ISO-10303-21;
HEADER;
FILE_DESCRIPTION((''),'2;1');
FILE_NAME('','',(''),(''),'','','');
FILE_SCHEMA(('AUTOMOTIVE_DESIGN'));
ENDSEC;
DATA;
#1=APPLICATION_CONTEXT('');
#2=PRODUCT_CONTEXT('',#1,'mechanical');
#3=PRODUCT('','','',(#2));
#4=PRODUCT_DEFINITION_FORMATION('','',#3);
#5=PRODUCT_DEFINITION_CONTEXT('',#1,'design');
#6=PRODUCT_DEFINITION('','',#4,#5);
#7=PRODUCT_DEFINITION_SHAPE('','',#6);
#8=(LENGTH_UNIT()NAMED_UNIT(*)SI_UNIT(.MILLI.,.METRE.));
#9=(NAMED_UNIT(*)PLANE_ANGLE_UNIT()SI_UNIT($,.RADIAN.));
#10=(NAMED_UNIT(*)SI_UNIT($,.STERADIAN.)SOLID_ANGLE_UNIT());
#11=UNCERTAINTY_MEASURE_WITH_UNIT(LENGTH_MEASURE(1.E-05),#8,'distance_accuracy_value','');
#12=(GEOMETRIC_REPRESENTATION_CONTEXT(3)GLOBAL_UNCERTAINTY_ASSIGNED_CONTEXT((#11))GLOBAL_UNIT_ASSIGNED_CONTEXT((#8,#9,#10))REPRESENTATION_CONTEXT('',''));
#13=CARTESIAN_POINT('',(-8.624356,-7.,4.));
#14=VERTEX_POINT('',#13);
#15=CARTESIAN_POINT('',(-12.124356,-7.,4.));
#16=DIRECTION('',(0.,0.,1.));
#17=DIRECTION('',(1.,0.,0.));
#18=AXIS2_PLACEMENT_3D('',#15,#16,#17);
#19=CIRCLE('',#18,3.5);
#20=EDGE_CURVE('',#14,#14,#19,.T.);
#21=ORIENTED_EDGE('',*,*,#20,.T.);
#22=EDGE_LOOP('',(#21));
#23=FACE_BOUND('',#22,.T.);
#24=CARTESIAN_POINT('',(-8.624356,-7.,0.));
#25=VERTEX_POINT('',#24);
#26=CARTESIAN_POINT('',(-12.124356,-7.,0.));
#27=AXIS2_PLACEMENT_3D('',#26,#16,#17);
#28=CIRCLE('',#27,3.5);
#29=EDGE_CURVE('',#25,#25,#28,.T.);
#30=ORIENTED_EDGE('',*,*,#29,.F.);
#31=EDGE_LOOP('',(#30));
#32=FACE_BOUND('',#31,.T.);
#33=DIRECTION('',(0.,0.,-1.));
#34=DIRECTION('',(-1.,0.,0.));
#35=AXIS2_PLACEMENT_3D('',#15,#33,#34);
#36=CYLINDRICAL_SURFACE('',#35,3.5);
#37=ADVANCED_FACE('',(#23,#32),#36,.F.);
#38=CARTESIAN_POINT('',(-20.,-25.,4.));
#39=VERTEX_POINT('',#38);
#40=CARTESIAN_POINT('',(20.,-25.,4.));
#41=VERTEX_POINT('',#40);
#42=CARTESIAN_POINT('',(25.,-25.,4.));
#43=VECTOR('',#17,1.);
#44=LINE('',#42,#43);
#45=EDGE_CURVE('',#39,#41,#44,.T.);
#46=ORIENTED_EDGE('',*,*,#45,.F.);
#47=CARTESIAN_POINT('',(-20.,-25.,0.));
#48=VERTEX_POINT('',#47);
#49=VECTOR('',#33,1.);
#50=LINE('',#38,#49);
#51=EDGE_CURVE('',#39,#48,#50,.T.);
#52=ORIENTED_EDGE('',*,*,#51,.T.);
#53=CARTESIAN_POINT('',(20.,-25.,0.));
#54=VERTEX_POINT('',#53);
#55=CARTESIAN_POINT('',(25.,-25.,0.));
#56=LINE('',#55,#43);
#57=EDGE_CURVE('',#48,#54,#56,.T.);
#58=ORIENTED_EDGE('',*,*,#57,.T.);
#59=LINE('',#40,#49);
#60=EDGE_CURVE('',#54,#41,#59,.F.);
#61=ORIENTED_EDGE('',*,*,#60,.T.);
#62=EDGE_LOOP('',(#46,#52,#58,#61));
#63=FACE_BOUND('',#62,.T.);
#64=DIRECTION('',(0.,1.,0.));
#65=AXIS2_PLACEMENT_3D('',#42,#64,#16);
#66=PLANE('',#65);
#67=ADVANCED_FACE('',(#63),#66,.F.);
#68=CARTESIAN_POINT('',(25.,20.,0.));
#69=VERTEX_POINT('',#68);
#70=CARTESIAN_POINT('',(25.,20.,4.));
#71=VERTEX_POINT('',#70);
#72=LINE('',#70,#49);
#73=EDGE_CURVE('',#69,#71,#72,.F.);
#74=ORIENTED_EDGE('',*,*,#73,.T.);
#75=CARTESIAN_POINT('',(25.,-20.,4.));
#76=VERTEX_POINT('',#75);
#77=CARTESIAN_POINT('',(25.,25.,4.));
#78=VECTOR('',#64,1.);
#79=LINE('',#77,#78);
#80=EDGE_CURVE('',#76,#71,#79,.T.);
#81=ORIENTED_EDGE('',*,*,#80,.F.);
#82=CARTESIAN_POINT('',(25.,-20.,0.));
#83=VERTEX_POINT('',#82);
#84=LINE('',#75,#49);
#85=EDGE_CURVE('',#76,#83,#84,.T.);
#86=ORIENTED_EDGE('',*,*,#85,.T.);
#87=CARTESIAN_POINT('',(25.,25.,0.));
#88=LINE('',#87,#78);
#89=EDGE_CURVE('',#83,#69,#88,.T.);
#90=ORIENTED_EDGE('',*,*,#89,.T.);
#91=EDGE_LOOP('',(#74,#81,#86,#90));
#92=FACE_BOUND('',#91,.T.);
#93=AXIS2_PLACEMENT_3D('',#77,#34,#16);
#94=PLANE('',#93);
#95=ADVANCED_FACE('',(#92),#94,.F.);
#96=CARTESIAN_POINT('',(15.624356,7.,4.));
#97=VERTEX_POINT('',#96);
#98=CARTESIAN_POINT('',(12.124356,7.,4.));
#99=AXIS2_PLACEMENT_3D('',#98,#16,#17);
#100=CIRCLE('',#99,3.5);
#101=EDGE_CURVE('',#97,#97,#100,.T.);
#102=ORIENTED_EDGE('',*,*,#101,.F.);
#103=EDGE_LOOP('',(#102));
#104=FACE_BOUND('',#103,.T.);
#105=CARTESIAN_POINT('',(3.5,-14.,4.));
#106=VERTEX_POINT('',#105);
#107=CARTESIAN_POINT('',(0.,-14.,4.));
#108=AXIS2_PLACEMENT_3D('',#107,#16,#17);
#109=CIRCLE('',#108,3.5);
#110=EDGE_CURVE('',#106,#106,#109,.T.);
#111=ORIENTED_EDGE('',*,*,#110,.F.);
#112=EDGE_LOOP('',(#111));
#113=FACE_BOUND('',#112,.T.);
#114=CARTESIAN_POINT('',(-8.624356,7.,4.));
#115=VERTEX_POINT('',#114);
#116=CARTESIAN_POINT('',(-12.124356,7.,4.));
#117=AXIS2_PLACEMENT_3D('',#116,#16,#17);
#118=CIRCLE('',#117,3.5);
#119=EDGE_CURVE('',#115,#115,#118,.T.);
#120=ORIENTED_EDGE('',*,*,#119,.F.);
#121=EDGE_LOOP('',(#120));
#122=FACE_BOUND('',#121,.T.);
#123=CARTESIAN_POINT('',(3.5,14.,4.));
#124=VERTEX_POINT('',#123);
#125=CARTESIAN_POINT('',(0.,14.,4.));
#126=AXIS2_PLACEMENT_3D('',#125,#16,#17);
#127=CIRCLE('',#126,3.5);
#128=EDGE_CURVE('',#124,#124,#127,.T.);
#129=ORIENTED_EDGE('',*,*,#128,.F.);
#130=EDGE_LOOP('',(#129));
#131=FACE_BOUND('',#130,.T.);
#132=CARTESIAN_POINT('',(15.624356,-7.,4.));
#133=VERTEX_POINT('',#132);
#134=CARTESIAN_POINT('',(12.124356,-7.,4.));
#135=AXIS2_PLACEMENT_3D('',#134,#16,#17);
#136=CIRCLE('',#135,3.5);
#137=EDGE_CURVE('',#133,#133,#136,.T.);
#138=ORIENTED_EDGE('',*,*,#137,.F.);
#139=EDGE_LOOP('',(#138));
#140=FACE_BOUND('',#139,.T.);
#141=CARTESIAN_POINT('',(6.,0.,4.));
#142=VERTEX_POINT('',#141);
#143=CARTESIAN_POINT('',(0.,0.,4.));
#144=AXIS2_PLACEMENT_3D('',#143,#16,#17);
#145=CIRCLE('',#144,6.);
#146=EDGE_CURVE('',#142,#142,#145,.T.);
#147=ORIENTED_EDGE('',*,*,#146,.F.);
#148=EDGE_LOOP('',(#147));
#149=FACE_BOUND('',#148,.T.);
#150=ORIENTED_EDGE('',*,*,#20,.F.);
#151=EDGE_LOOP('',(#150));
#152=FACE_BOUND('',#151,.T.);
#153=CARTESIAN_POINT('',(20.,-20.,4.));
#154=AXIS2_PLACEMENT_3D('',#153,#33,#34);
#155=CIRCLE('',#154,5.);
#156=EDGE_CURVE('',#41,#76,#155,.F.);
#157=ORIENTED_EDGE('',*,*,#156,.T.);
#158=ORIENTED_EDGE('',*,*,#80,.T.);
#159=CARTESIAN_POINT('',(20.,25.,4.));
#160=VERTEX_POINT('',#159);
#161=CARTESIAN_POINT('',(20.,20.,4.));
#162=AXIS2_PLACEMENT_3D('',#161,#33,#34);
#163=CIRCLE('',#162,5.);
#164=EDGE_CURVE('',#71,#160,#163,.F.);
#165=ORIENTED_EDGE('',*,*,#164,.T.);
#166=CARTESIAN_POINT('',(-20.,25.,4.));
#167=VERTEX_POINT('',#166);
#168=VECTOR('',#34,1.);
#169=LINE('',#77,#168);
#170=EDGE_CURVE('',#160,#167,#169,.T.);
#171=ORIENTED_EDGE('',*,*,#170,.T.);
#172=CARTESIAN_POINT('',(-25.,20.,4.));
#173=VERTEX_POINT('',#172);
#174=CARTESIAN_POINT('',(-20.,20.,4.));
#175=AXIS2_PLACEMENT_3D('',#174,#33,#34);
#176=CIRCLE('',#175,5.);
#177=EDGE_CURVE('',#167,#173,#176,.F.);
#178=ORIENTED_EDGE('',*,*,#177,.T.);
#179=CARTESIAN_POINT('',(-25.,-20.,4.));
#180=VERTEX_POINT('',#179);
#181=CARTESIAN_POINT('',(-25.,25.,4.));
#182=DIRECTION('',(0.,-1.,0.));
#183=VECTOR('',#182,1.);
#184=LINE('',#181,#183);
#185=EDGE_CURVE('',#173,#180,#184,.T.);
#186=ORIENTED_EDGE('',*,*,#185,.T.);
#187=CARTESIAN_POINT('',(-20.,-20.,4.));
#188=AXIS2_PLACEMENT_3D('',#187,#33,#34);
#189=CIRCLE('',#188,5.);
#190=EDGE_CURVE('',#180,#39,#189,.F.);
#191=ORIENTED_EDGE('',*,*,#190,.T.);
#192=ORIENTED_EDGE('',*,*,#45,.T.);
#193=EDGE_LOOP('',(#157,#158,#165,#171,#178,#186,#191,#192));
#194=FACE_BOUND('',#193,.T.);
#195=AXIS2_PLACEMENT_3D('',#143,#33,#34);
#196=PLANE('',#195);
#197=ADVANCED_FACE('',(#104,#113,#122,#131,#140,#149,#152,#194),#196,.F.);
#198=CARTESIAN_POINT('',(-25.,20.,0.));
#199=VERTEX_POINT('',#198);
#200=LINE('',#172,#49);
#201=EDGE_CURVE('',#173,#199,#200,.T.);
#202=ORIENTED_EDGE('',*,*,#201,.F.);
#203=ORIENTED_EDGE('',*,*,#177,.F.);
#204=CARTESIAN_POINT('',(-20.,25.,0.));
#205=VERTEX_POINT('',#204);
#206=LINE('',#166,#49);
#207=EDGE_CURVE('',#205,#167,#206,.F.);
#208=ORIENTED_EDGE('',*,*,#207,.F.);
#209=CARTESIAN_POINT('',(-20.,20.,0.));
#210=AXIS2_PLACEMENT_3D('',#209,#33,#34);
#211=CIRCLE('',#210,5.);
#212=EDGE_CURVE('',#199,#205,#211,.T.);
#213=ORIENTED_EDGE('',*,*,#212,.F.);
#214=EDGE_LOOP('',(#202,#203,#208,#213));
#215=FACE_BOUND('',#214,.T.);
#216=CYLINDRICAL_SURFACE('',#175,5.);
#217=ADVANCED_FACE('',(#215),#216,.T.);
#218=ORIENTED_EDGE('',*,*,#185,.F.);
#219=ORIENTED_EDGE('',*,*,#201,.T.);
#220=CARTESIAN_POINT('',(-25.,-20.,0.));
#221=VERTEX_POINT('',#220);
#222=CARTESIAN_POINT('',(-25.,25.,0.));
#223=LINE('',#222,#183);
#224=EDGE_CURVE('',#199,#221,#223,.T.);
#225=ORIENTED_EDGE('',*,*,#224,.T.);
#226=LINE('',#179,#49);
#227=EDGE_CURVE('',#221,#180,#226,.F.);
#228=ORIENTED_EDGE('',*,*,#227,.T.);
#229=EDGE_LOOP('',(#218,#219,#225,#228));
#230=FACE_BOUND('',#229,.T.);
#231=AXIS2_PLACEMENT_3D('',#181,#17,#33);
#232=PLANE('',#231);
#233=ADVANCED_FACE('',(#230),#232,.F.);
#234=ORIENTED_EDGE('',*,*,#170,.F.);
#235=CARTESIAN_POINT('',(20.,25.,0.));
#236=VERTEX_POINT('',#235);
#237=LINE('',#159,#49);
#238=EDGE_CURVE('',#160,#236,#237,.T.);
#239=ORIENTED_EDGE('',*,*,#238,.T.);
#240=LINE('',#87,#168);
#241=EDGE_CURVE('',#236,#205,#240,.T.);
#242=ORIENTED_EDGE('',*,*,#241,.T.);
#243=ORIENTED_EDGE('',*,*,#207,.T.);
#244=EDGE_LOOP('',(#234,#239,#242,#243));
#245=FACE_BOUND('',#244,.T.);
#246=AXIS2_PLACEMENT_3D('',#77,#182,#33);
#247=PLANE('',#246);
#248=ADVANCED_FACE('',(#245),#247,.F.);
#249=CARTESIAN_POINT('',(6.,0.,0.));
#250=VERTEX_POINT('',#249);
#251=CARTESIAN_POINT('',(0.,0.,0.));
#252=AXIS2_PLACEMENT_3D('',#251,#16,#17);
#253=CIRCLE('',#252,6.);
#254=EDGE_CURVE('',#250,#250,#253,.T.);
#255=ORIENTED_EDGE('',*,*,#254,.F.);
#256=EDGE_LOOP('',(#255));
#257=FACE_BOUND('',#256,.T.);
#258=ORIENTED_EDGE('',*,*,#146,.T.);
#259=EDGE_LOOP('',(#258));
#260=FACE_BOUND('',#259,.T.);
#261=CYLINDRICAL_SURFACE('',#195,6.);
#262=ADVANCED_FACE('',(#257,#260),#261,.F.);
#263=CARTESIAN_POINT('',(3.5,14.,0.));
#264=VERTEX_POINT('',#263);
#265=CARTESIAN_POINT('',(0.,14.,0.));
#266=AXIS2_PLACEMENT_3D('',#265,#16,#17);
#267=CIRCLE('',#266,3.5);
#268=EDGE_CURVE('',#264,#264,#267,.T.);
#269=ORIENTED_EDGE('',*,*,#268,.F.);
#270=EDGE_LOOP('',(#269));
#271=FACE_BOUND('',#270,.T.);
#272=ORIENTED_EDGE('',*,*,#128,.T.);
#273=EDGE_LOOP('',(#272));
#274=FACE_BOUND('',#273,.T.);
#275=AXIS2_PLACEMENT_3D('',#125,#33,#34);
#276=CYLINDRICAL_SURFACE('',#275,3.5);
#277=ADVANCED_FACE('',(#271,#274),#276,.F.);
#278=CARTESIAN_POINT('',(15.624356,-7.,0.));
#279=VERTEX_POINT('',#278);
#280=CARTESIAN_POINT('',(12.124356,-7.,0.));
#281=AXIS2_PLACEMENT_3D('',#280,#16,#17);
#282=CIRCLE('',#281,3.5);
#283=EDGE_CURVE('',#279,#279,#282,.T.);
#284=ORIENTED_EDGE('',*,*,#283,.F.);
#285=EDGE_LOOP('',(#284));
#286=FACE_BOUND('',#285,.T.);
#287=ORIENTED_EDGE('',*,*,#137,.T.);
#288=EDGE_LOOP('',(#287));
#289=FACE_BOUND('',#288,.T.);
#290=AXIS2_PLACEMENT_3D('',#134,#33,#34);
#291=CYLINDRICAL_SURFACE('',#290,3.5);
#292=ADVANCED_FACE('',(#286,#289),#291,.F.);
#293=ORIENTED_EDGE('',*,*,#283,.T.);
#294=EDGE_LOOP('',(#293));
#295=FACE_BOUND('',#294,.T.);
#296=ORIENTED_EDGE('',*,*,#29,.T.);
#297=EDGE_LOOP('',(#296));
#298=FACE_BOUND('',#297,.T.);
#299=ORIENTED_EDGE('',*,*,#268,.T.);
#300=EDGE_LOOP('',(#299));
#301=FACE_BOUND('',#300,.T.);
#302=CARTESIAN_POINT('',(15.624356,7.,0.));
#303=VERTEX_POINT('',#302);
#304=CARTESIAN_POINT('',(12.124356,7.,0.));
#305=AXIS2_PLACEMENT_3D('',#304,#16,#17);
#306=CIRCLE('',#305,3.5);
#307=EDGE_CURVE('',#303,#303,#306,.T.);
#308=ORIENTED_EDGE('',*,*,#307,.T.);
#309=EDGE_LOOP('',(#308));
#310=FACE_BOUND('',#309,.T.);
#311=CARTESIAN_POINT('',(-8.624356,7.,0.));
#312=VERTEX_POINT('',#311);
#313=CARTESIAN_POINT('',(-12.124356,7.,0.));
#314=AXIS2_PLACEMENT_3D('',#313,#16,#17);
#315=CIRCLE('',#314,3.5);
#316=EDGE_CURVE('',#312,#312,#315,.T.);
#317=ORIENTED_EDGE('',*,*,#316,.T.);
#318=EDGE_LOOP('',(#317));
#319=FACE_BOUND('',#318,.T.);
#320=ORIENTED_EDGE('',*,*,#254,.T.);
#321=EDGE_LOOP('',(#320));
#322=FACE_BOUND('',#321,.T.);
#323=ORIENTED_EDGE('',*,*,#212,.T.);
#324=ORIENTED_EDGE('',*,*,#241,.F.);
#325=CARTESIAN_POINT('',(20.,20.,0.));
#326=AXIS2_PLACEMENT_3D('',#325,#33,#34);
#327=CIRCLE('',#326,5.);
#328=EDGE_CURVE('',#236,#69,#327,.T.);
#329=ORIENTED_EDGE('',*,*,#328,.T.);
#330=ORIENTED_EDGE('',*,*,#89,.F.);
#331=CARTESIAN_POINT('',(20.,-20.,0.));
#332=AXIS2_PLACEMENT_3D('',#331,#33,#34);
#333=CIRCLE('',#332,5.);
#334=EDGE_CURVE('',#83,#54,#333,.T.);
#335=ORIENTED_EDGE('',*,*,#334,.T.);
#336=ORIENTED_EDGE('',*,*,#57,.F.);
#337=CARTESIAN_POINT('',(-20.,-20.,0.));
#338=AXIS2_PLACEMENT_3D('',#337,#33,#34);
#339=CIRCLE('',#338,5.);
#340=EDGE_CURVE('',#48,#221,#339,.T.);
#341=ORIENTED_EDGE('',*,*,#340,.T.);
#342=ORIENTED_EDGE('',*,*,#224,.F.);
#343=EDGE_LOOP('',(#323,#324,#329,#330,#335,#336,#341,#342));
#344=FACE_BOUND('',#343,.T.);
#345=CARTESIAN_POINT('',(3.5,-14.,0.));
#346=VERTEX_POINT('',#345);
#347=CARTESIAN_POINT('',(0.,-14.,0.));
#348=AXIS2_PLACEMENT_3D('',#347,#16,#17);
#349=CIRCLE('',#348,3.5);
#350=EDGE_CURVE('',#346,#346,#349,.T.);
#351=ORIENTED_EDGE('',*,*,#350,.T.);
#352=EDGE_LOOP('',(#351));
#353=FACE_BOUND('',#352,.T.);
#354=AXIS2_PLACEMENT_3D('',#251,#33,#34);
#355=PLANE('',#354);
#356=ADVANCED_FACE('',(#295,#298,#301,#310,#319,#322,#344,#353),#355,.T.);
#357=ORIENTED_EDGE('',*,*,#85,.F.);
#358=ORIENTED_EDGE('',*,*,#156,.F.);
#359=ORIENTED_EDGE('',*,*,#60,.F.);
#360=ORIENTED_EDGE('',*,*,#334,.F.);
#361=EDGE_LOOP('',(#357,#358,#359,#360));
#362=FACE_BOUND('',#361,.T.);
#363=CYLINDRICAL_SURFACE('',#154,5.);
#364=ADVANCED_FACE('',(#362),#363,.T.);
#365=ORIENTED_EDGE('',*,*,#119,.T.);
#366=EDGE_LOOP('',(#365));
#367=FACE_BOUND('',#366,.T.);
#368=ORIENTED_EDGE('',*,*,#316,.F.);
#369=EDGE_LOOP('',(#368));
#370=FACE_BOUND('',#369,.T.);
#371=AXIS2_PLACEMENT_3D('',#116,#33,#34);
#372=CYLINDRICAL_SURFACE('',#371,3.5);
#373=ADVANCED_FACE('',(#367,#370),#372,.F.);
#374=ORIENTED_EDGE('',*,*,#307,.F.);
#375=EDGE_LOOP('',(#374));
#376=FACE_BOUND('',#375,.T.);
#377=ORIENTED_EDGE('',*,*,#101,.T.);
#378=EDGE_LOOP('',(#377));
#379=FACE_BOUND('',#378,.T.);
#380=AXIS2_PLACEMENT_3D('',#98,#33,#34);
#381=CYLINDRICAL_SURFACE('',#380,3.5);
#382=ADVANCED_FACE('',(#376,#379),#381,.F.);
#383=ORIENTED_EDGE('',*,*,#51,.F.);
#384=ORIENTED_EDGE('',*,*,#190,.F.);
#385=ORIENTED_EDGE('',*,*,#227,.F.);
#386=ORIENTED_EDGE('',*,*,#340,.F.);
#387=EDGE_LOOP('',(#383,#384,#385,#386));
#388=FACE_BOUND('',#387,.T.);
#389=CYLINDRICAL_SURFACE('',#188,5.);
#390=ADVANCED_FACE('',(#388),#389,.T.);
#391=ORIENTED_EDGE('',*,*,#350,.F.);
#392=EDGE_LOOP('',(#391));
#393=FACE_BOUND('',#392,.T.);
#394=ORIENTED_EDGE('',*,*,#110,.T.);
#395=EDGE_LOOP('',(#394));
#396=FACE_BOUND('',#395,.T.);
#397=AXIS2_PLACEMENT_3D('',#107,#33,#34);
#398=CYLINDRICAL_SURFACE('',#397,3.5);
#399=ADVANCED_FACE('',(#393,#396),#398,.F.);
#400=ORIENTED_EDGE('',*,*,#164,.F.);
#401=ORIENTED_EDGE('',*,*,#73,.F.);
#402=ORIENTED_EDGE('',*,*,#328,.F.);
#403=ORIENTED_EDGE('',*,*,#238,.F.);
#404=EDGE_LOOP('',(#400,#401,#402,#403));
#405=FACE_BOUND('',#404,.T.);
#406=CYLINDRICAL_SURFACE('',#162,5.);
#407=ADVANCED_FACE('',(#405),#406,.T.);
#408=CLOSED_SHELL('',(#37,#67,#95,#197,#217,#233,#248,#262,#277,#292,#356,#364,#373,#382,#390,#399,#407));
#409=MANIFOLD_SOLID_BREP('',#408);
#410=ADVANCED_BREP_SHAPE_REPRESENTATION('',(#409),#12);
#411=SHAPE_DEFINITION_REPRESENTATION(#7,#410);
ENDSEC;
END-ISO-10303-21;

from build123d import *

# Parameters (mm, degrees)
SKETCH_1_W      = 50
SKETCH_1_H      = 50
SKETCH_1_R      = 3.5
SKETCH_1_R_2    = 6
EXTRUDE_1_DEPTH = 4
FILLET_1_R      = 5


with BuildPart() as part:
    # 草图1 → 凸台-拉伸1 (new body)
    with BuildSketch(Plane.XY):
        Rectangle(SKETCH_1_W, SKETCH_1_H)
        with Locations((0, 14)):
            Circle(SKETCH_1_R, mode=Mode.SUBTRACT)
        with Locations((12.124355653, 7)):
            Circle(SKETCH_1_R, mode=Mode.SUBTRACT)
        with Locations((12.124355653, -7)):
            Circle(SKETCH_1_R, mode=Mode.SUBTRACT)
        with Locations((0, -14)):
            Circle(SKETCH_1_R, mode=Mode.SUBTRACT)
        with Locations((-12.124355653, -7)):
            Circle(SKETCH_1_R, mode=Mode.SUBTRACT)
        with Locations((-12.124355653, 7)):
            Circle(SKETCH_1_R, mode=Mode.SUBTRACT)
        Circle(SKETCH_1_R_2, mode=Mode.SUBTRACT)
    extrude(amount=EXTRUDE_1_DEPTH)

    # 圆角1
    fillet_1_edges = [part.edges().sort_by_distance(p)[0] for p in [
        (-25, 25, 2),
        (25, 25, 2),
        (25, -25, 2),
        (-25, -25, 2),
    ]]
    fillet(fillet_1_edges, radius=FILLET_1_R)


solid = part.part
